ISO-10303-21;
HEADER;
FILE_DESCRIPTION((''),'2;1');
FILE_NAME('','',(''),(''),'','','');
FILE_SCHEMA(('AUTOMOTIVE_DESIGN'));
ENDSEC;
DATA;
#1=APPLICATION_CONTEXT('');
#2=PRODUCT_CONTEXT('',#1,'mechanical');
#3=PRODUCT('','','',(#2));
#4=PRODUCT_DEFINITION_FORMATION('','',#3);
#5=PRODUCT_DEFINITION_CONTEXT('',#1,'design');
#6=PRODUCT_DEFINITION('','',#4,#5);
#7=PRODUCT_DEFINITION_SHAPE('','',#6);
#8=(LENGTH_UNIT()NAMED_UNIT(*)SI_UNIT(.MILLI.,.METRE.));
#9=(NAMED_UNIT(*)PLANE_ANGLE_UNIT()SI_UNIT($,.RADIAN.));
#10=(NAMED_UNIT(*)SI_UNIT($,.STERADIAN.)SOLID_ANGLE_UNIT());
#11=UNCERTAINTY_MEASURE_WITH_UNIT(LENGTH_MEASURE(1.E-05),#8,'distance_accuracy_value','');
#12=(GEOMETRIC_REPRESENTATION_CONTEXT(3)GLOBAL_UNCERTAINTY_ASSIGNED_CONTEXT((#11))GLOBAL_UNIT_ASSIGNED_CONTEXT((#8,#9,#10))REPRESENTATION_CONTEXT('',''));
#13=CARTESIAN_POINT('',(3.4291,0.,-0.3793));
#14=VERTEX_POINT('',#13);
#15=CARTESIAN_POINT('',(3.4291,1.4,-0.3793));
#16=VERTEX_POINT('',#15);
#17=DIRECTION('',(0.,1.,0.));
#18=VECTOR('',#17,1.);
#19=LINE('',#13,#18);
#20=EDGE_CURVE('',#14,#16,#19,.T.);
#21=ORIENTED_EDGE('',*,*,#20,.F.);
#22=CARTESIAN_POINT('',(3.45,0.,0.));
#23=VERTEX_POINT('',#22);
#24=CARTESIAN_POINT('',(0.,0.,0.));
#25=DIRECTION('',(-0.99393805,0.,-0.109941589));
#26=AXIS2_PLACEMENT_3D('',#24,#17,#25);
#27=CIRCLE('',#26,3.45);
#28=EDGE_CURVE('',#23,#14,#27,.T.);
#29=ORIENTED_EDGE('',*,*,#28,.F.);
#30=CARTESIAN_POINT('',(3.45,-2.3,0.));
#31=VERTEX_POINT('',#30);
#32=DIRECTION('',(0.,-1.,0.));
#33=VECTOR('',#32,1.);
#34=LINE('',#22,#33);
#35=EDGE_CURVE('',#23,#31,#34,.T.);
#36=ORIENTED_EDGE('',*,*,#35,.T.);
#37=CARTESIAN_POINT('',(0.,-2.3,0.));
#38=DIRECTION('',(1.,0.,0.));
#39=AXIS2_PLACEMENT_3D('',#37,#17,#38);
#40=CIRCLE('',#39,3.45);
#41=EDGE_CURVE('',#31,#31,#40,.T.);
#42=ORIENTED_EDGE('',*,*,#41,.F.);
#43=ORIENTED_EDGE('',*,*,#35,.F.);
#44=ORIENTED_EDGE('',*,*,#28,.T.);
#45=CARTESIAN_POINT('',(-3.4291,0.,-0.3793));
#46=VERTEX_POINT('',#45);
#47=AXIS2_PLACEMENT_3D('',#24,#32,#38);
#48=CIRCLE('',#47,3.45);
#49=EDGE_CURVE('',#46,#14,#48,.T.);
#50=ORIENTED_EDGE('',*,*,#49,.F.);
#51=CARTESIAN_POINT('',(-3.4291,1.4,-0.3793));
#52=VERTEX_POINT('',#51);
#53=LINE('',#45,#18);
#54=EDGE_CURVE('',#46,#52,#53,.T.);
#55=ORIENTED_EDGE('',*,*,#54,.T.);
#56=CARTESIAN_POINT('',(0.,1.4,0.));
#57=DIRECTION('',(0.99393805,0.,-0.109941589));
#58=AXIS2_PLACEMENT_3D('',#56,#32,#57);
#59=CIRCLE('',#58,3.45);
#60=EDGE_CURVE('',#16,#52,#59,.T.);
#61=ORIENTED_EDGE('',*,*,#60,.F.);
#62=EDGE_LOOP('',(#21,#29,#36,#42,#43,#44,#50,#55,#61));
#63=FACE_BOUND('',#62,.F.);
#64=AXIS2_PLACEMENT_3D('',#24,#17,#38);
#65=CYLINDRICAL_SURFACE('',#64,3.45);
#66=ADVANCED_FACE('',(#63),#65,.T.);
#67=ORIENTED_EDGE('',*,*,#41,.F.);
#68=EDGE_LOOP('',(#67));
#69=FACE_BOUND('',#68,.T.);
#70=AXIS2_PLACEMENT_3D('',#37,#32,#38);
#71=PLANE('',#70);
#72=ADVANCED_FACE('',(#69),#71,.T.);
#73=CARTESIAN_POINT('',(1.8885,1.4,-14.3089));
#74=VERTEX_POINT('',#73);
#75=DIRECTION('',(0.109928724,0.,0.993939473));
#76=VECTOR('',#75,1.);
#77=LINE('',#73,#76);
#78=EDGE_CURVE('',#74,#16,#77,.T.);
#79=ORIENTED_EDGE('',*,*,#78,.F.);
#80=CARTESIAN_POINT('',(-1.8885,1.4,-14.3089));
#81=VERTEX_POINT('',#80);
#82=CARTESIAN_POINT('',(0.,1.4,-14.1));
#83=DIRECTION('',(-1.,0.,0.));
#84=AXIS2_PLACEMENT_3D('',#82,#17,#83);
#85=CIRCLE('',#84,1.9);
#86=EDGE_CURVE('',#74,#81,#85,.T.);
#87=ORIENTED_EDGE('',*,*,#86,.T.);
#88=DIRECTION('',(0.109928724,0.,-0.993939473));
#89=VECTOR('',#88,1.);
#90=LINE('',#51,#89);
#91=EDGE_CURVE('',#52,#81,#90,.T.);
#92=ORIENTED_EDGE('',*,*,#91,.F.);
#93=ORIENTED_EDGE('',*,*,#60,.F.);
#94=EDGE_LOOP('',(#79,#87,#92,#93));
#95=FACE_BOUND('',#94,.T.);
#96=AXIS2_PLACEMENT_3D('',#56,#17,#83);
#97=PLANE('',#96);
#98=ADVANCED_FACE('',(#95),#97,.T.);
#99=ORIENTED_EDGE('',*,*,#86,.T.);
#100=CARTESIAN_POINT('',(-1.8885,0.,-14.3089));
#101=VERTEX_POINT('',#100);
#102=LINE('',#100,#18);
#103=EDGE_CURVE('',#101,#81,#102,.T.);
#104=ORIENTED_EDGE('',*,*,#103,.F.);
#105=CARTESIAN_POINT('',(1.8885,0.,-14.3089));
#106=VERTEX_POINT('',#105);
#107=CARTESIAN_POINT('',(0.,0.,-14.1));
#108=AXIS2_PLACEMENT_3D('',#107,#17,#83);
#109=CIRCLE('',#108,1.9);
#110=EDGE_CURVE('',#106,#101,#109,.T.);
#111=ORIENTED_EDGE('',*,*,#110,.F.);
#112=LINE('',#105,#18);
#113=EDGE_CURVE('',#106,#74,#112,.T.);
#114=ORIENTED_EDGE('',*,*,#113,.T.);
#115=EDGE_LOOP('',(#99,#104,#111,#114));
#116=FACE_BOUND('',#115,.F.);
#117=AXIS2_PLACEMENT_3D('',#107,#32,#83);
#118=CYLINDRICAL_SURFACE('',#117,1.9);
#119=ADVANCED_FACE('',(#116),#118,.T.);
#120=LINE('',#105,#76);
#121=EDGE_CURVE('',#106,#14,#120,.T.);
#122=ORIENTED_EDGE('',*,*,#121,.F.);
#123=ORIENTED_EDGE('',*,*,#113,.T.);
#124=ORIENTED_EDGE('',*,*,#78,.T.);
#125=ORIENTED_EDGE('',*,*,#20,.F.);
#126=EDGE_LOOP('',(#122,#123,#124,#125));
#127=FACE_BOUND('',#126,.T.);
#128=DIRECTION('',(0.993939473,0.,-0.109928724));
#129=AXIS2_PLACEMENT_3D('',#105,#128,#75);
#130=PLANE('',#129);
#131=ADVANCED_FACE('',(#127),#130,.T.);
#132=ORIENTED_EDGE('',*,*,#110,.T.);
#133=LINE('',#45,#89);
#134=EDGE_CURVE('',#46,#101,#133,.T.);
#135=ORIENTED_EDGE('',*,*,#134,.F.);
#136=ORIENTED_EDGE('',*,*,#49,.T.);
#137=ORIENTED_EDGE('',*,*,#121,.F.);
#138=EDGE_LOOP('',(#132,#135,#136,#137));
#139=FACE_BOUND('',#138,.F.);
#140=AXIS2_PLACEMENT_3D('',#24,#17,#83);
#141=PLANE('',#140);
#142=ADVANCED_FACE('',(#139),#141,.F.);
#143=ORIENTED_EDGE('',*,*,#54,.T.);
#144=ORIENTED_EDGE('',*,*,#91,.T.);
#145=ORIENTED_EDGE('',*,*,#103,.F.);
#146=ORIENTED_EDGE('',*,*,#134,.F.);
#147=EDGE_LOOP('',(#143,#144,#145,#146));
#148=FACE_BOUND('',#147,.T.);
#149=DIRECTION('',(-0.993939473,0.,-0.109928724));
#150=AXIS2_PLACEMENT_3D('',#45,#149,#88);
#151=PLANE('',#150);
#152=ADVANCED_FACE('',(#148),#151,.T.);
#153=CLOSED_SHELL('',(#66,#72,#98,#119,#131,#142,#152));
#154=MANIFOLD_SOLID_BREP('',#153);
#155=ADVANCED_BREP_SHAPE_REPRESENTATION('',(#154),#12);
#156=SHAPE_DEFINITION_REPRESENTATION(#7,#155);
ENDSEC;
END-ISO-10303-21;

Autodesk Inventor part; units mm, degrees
ref_plane "YZ Plane" through (0, 0, 0) normal (1, 0, 0) x (0, 1, 0)
ref_plane "XZ Plane" through (0, 0, 0) normal (0, 1, 0) x (-1, 0, 0)
ref_plane "XY Plane" through (0, 0, 0) normal (0, 0, 1) x (1, 0, 0)
sketch "スケッチ1" plane through (0, 0, 0) normal (0, 1, 0) x (-1, 0, 0)
  circle A0 centre (0, 0) radius 3.45
  circle A1 centre (0, 14.1) radius 1.9
  circle A2 centre (0, -14.1) radius 1.9
  line L0 (4.83, 0) -> (-4.83, 0) projected
  line L1 (1.8885, 14.3089) -> (3.4291, 0.3793)
  line L2 (3.4291, -0.3793) -> (1.8885, -14.3089)
  line L3 (-1.8885, -14.3089) -> (-3.4291, -0.3793)
  line L4 (-3.4291, 0.3793) -> (-1.8885, 14.3089)
  dimension "d0" = 6.9
  dimension "d1" = 3.8
  dimension "d3" = 28.2
extrude "押し出し1" add sketch "スケッチ1" along normal blind 1.4 contours L0 A0 | A0 L0 | L2 A2 L3 A0 | A2
sketch "スケッチ2" plane through (0, 0, 0) normal (0, -1, 0) x (1, 0, 0)
  circle A0 centre (0, 0) radius 3.45
  arc A1 (3.4291, -0.3793) -> (-3.4291, -0.3793) centre (0, 0) ccw projected
  point P0 (3.4338, 0.3342)
extrude "押し出し2" add sketch "スケッチ2" along normal blind 2.3
properties part number "Miusei_hone_short"
